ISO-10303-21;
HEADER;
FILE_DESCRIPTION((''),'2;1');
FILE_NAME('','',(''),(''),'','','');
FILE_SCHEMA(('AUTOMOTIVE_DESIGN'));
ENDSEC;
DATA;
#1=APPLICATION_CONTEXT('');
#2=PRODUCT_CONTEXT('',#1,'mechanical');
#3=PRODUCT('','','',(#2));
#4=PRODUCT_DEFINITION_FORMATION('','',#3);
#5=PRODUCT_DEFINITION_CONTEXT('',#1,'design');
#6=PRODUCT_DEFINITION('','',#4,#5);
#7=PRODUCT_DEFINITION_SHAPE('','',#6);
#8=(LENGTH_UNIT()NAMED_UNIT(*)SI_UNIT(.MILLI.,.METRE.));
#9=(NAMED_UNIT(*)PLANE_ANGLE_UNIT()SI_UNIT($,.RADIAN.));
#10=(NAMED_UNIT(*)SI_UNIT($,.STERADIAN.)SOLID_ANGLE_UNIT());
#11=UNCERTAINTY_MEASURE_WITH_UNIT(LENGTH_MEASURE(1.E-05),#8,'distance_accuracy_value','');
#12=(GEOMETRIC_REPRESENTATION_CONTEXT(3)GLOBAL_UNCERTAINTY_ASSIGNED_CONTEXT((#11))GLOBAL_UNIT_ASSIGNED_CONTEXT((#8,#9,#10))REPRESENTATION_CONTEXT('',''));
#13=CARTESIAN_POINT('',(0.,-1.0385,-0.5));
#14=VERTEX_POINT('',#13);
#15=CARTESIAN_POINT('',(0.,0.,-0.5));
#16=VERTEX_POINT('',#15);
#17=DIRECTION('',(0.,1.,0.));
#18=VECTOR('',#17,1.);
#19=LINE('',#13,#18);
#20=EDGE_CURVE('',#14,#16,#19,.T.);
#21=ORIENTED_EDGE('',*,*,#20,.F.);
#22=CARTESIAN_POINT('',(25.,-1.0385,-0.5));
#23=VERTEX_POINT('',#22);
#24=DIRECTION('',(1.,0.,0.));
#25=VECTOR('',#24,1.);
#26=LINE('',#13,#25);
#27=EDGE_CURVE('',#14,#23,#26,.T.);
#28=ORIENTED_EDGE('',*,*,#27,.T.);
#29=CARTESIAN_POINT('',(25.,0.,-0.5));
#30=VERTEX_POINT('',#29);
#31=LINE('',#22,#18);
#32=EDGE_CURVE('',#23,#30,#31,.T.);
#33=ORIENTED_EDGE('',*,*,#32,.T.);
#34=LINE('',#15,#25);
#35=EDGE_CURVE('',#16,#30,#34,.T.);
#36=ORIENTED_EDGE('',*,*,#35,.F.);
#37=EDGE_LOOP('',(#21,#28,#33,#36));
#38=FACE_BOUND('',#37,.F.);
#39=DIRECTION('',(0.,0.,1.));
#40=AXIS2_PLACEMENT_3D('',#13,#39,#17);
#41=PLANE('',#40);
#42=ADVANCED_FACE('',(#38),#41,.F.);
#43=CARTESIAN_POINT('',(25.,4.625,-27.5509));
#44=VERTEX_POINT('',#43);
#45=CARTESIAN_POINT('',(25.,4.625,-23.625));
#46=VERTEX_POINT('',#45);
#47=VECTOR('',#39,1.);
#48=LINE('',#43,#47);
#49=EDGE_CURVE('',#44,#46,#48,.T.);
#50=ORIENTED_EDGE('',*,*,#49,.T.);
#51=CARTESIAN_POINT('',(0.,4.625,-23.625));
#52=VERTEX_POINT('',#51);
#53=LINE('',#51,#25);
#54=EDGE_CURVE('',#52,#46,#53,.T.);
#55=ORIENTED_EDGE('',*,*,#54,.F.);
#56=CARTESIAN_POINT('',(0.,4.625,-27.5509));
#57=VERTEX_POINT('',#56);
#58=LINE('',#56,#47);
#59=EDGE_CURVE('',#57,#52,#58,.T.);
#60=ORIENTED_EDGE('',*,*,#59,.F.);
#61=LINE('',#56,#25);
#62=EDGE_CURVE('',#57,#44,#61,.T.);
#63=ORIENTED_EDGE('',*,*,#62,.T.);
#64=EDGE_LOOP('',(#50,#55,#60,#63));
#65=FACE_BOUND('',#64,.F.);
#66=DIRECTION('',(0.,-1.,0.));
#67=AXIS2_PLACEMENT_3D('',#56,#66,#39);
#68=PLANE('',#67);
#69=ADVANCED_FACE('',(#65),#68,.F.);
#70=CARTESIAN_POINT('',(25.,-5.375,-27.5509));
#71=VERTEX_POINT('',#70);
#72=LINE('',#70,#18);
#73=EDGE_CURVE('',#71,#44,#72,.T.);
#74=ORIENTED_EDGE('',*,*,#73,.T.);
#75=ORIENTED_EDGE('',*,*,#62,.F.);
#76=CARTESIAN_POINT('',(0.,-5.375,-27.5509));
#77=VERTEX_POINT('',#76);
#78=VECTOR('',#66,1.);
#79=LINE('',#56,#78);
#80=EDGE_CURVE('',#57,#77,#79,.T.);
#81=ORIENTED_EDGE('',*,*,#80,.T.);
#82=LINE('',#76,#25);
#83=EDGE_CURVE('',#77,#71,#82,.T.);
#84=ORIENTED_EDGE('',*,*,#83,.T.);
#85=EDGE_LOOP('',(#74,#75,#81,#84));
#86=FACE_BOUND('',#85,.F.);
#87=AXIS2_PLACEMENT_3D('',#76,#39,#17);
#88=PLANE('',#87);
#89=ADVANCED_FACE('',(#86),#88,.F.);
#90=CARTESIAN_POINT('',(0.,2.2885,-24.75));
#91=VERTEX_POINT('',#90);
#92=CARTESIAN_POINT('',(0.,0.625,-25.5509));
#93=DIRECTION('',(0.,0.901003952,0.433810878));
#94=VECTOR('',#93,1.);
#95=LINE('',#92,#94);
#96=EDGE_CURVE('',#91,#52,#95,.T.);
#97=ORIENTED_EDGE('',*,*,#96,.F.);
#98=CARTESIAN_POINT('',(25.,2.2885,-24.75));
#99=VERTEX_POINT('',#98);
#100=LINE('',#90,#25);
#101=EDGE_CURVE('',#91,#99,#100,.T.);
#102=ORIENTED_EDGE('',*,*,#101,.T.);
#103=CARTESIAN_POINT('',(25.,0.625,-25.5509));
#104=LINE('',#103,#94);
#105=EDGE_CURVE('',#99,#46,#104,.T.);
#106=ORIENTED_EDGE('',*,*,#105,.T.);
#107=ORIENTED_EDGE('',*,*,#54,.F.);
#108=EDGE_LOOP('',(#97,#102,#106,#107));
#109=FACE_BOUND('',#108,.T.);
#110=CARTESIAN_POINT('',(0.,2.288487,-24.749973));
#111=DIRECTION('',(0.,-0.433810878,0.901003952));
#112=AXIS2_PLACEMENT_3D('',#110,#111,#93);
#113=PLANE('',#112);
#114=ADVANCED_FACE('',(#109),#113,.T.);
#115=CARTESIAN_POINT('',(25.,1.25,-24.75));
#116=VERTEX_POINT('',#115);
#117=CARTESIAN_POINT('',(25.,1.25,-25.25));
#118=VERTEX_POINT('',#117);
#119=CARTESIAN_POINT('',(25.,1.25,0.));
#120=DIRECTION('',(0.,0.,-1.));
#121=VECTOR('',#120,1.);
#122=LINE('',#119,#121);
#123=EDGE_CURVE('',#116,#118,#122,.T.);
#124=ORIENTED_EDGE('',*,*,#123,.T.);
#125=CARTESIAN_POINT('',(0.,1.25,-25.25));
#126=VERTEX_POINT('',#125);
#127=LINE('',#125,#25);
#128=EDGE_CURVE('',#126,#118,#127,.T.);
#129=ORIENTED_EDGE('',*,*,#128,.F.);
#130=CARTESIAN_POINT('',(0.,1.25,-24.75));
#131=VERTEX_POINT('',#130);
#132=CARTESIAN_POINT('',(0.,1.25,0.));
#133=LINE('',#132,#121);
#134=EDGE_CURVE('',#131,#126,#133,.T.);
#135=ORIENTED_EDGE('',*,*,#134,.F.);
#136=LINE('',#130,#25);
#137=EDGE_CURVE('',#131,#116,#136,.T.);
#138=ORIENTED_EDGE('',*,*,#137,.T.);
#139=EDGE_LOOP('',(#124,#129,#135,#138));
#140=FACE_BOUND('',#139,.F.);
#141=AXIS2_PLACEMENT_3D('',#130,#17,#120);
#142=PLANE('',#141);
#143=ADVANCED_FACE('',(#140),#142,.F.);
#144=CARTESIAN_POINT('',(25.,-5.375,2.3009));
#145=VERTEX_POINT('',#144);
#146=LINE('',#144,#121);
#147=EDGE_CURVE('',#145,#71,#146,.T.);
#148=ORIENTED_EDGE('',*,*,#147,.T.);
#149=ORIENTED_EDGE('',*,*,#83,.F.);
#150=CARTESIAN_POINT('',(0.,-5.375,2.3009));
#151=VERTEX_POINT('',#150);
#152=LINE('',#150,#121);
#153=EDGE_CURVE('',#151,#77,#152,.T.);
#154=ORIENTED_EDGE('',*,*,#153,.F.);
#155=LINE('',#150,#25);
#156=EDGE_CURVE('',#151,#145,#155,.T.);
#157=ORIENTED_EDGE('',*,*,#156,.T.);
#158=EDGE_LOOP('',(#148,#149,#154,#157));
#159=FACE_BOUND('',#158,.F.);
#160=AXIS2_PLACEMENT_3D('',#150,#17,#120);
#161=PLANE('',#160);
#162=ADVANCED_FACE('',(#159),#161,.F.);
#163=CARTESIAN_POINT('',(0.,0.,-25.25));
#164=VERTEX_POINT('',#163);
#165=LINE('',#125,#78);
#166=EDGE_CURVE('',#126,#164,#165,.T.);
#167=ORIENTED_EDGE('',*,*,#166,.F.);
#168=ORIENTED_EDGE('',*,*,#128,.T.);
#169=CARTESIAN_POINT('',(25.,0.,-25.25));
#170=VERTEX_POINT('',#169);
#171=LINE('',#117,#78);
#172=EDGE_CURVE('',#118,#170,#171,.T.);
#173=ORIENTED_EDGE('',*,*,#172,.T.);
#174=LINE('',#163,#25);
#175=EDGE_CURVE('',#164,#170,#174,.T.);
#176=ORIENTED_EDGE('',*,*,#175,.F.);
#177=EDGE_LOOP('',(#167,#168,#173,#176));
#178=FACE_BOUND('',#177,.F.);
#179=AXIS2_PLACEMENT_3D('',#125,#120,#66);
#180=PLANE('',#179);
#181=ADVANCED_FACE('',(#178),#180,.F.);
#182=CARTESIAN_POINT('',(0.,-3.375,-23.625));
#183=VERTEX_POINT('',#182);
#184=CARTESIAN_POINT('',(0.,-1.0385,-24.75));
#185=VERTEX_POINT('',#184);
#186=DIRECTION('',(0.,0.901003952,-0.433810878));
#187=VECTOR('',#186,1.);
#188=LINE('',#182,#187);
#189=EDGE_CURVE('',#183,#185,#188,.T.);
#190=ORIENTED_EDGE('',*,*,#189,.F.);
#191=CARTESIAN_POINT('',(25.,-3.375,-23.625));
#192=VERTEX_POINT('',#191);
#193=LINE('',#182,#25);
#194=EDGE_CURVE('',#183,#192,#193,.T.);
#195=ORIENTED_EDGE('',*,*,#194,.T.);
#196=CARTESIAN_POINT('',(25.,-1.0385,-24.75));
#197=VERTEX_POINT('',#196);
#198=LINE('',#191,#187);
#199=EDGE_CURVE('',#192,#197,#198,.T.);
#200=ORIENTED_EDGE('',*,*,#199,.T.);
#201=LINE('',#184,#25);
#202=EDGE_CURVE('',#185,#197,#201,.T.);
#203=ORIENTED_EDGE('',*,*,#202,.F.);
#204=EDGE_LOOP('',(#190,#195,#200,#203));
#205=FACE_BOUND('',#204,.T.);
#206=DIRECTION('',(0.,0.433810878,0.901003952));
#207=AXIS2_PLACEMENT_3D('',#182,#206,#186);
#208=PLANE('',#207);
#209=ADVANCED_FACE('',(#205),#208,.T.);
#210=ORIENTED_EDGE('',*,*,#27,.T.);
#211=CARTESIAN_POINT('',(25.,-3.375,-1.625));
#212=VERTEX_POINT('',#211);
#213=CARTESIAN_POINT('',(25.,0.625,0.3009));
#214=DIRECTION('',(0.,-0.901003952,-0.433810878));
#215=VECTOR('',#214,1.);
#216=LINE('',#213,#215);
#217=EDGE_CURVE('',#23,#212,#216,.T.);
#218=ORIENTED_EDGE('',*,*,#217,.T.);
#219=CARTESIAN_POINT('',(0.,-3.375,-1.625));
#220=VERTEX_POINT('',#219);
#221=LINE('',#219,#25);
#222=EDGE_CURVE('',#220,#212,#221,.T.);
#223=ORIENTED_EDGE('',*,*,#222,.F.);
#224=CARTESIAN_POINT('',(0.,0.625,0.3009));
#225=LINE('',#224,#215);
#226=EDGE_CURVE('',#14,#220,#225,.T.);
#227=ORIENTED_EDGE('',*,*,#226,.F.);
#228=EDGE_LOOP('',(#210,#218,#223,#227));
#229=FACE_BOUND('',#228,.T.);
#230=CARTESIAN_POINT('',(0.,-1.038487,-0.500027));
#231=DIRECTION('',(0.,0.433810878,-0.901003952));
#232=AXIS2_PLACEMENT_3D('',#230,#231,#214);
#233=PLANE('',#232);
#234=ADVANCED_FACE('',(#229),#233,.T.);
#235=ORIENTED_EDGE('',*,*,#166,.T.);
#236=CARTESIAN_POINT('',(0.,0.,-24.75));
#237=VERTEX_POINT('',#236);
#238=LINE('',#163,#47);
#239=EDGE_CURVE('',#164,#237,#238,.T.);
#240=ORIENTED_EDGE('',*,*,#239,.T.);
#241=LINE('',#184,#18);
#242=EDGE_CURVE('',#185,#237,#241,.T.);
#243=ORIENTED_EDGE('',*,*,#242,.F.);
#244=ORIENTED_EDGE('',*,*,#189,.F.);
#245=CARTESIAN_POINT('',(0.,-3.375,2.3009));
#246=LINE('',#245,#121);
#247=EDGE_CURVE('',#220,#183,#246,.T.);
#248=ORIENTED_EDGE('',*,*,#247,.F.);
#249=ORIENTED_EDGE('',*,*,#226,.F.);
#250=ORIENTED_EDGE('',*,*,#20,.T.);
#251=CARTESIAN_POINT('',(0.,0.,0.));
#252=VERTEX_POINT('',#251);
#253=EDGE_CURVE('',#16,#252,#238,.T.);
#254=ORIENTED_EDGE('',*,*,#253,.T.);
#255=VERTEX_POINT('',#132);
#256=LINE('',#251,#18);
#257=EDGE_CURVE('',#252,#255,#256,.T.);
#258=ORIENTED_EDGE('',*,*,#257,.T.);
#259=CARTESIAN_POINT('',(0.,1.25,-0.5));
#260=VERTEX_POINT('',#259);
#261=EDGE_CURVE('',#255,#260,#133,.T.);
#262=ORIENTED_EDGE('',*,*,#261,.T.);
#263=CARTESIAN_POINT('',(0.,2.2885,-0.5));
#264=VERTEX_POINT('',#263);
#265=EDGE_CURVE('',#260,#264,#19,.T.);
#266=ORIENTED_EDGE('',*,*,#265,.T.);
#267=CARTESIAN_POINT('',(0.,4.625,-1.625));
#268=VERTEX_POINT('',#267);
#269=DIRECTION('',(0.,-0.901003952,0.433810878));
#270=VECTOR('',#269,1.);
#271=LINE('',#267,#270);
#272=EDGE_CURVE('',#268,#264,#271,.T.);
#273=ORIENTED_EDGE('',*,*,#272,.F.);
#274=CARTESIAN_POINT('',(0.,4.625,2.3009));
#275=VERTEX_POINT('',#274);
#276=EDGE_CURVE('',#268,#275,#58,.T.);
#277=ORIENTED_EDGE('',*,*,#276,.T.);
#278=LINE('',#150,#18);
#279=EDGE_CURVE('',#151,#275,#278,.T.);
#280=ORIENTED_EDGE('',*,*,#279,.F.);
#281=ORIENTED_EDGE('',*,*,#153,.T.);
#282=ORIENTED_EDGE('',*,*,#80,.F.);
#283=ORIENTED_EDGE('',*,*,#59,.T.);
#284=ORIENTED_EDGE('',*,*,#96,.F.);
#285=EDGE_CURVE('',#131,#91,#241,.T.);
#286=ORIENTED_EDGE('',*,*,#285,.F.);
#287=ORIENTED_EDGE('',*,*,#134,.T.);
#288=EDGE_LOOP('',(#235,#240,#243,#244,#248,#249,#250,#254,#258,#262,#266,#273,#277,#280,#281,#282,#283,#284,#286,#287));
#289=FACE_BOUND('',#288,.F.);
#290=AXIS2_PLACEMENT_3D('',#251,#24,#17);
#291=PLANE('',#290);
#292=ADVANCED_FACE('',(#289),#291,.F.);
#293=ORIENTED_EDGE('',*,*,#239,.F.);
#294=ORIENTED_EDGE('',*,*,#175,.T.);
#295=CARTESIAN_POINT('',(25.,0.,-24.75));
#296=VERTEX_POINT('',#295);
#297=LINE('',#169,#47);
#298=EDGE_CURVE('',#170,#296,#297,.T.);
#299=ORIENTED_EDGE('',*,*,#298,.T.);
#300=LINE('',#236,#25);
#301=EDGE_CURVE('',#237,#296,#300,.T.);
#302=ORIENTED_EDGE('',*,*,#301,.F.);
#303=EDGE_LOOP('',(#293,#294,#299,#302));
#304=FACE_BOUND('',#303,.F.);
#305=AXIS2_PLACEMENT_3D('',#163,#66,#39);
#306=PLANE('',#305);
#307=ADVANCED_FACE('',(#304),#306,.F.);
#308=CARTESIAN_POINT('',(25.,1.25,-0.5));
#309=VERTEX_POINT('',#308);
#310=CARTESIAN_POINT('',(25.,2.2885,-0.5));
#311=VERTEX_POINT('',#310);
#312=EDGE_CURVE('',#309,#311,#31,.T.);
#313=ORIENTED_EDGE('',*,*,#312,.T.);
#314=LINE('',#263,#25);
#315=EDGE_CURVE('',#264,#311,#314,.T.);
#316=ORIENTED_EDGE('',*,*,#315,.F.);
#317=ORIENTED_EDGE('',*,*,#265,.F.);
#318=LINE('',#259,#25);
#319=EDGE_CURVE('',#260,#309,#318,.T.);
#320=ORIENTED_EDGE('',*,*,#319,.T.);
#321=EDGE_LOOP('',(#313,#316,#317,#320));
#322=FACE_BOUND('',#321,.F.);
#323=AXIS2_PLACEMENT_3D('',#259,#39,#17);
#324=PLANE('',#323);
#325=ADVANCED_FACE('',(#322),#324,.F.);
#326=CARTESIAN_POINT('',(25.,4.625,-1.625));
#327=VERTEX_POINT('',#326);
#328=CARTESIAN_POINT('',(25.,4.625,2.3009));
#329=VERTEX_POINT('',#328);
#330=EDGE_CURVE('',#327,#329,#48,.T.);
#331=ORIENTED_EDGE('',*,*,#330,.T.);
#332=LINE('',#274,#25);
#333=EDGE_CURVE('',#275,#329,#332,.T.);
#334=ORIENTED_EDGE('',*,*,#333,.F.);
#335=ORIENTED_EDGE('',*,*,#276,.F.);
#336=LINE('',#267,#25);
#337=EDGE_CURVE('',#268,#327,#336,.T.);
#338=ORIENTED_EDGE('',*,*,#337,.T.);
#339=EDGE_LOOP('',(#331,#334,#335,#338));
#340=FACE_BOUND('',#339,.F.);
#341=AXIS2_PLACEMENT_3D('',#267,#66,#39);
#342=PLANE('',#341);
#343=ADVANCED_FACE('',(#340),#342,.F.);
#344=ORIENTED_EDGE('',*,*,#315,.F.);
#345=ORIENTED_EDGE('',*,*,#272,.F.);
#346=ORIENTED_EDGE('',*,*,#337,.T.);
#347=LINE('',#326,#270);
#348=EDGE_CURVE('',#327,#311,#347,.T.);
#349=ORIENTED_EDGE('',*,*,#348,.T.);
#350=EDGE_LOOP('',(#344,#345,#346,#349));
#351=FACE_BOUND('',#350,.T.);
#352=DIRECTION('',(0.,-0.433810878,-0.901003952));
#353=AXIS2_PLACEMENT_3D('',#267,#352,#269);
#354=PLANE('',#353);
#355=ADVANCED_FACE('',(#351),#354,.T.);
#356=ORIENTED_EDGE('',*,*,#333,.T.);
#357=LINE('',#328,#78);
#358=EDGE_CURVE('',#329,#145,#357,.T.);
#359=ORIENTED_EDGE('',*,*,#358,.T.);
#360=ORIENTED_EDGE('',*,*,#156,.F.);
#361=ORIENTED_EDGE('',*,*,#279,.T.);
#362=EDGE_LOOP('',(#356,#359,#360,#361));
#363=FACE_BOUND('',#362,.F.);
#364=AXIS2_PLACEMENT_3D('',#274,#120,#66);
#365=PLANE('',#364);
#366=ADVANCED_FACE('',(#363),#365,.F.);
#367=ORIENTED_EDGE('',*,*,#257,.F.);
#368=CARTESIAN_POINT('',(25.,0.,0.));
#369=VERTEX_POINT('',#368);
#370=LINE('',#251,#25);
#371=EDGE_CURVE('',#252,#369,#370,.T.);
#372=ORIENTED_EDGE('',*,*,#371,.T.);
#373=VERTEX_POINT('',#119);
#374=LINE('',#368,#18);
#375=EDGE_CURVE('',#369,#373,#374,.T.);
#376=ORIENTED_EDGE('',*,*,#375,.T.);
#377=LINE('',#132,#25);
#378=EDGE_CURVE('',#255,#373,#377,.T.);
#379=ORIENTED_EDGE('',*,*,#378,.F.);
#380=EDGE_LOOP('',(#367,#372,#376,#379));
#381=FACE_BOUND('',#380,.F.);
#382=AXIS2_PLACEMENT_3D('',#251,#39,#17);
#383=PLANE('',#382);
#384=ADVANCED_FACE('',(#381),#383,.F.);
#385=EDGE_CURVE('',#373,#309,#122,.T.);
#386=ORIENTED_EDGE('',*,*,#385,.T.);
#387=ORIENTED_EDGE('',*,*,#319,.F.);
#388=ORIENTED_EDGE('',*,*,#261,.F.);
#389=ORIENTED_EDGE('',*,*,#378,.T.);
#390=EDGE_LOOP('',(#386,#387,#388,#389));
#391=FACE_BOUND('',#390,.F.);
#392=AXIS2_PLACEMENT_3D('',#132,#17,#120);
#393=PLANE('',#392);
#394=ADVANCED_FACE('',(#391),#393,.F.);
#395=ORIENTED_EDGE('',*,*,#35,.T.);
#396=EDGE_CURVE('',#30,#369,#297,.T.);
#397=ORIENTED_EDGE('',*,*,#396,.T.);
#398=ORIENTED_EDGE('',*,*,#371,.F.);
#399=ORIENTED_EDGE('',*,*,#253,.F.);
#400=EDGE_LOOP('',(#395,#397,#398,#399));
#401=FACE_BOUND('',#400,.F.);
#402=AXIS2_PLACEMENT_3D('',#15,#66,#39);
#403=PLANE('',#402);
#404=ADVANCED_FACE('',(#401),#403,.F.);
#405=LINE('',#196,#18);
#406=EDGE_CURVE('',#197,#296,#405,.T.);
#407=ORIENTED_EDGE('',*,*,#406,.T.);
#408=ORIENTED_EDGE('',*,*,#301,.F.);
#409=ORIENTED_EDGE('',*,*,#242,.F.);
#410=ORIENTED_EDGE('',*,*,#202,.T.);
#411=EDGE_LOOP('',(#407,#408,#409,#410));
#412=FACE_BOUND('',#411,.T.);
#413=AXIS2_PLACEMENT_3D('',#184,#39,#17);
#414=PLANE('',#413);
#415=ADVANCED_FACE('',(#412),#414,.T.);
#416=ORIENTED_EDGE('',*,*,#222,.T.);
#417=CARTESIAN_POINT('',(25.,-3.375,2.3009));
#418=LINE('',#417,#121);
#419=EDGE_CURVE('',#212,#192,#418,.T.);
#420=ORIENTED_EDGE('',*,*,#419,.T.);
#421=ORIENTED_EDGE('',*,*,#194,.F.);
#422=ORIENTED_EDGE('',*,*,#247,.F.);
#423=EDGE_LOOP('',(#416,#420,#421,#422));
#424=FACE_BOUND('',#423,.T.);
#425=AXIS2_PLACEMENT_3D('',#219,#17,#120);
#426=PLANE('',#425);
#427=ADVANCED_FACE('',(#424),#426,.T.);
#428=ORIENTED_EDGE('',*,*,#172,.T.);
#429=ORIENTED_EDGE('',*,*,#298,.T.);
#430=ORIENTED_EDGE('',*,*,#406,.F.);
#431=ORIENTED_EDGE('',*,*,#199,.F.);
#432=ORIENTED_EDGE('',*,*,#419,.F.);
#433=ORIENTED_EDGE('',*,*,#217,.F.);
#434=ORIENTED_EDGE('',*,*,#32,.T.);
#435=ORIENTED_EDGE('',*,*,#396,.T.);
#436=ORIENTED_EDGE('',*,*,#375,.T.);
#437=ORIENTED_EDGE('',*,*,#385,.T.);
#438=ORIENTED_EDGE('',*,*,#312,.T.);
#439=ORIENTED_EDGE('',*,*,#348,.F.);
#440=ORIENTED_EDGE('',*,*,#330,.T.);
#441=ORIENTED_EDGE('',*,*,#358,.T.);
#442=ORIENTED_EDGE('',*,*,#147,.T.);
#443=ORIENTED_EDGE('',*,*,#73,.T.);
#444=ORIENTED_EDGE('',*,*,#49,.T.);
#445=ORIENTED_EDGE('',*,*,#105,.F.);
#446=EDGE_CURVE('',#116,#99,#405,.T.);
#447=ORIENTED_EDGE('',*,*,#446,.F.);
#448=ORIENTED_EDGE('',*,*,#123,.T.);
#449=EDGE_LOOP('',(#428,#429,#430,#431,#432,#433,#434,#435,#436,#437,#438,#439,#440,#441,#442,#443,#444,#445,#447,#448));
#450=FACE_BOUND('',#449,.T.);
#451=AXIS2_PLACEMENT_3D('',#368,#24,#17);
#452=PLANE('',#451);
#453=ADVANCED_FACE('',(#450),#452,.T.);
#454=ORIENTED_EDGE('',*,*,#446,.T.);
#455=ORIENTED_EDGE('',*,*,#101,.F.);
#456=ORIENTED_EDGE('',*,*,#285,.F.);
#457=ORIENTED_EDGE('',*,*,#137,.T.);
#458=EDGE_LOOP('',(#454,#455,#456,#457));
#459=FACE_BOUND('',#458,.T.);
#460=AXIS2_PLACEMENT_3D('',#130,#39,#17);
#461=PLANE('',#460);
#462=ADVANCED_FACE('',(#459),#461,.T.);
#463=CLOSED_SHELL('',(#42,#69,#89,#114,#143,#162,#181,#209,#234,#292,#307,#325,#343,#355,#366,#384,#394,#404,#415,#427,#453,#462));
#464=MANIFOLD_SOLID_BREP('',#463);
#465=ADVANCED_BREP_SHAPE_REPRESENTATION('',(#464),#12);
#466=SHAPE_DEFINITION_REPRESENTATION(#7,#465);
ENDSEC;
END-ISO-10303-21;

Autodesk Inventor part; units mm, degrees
ref_plane "YZ Plane" through (0, 0, 0) normal (1, 0, 0) x (0, 1, 0)
ref_plane "XZ Plane" through (0, 0, 0) normal (0, 1, 0) x (-1, 0, 0)
ref_plane "XY Plane" through (0, 0, 0) normal (0, 0, 1) x (1, 0, 0)
sketch "Sketch1" plane through (0, 0, 0) normal (1, 0, 0) x (0, 1, 0)
  line L0 (0, 0) -> (1.25, 0)
  line L1 (1.25, 0) -> (1.25, -25.25)
  line L2 (1.25, -25.25) -> (0, -25.25)
  line L3 (0, -25.25) -> (0, 0)
  line L4 (4.625, -1.625) -> (0.625, 0.3009)
  line L5 (0.625, 0.3009) -> (-3.375, -1.625)
  line L6 (-3.375, -23.625) -> (0.625, -25.5509)
  line L7 (0.625, -25.5509) -> (4.625, -23.625)
  line L8 (4.625, 2.3009) -> (-3.375, 2.3009)
  line L9 (-3.375, 2.3009) -> (-3.375, -27.5509)
  line L10 (-3.375, -27.5509) -> (4.625, -27.5509)
  line L11 (4.625, -27.5509) -> (4.625, 2.3009)
  line L12 (-3.375, 2.3009) -> (-5.375, 2.3009)
  line L13 (-5.375, 2.3009) -> (-5.375, -27.5509)
  line L14 (-5.375, -27.5509) -> (-3.375, -27.5509)
  line L15 (-3.375, -27.5509) -> (-3.375, 2.3009)
  line L16 (-1.0385, -0.5) -> (2.2885, -0.5)
  line L17 (-1.0385, -24.75) -> (2.2885, -24.75)
  point P0 (0, -24.75)
  point P1 (0, -0.5)
  point P2 (1.25, -0.5)
  point P3 (1.25, -24.75)
  dimension "d0" = 1.25
  dimension "d1" = 25.25
  dimension "d2" = 0.625
  dimension "d3" = 2
  dimension "d4" = 2
  dimension "d5" = 8
  dimension "d6" = 22
  dimension "d7" = 2
  dimension "d8" = 0.5
  dimension "d9" = 0.5
extrude "Extrusion1" add sketch "Sketch1" along normal blind 25 contours L5 L4 L0 | L5 L9 L8 L11 L4 | L3 L16 L5 | L4 L16 L1 | L3 L6 L17 | L9 L14 L13 L12 | L17 L7 L1 | L6 L7 L11 L10 L9 | L2 L7 L6
equation "\"d2\" = 0.5 * d0"
properties part number "RaspberryPi Camera Slotted Mount"
